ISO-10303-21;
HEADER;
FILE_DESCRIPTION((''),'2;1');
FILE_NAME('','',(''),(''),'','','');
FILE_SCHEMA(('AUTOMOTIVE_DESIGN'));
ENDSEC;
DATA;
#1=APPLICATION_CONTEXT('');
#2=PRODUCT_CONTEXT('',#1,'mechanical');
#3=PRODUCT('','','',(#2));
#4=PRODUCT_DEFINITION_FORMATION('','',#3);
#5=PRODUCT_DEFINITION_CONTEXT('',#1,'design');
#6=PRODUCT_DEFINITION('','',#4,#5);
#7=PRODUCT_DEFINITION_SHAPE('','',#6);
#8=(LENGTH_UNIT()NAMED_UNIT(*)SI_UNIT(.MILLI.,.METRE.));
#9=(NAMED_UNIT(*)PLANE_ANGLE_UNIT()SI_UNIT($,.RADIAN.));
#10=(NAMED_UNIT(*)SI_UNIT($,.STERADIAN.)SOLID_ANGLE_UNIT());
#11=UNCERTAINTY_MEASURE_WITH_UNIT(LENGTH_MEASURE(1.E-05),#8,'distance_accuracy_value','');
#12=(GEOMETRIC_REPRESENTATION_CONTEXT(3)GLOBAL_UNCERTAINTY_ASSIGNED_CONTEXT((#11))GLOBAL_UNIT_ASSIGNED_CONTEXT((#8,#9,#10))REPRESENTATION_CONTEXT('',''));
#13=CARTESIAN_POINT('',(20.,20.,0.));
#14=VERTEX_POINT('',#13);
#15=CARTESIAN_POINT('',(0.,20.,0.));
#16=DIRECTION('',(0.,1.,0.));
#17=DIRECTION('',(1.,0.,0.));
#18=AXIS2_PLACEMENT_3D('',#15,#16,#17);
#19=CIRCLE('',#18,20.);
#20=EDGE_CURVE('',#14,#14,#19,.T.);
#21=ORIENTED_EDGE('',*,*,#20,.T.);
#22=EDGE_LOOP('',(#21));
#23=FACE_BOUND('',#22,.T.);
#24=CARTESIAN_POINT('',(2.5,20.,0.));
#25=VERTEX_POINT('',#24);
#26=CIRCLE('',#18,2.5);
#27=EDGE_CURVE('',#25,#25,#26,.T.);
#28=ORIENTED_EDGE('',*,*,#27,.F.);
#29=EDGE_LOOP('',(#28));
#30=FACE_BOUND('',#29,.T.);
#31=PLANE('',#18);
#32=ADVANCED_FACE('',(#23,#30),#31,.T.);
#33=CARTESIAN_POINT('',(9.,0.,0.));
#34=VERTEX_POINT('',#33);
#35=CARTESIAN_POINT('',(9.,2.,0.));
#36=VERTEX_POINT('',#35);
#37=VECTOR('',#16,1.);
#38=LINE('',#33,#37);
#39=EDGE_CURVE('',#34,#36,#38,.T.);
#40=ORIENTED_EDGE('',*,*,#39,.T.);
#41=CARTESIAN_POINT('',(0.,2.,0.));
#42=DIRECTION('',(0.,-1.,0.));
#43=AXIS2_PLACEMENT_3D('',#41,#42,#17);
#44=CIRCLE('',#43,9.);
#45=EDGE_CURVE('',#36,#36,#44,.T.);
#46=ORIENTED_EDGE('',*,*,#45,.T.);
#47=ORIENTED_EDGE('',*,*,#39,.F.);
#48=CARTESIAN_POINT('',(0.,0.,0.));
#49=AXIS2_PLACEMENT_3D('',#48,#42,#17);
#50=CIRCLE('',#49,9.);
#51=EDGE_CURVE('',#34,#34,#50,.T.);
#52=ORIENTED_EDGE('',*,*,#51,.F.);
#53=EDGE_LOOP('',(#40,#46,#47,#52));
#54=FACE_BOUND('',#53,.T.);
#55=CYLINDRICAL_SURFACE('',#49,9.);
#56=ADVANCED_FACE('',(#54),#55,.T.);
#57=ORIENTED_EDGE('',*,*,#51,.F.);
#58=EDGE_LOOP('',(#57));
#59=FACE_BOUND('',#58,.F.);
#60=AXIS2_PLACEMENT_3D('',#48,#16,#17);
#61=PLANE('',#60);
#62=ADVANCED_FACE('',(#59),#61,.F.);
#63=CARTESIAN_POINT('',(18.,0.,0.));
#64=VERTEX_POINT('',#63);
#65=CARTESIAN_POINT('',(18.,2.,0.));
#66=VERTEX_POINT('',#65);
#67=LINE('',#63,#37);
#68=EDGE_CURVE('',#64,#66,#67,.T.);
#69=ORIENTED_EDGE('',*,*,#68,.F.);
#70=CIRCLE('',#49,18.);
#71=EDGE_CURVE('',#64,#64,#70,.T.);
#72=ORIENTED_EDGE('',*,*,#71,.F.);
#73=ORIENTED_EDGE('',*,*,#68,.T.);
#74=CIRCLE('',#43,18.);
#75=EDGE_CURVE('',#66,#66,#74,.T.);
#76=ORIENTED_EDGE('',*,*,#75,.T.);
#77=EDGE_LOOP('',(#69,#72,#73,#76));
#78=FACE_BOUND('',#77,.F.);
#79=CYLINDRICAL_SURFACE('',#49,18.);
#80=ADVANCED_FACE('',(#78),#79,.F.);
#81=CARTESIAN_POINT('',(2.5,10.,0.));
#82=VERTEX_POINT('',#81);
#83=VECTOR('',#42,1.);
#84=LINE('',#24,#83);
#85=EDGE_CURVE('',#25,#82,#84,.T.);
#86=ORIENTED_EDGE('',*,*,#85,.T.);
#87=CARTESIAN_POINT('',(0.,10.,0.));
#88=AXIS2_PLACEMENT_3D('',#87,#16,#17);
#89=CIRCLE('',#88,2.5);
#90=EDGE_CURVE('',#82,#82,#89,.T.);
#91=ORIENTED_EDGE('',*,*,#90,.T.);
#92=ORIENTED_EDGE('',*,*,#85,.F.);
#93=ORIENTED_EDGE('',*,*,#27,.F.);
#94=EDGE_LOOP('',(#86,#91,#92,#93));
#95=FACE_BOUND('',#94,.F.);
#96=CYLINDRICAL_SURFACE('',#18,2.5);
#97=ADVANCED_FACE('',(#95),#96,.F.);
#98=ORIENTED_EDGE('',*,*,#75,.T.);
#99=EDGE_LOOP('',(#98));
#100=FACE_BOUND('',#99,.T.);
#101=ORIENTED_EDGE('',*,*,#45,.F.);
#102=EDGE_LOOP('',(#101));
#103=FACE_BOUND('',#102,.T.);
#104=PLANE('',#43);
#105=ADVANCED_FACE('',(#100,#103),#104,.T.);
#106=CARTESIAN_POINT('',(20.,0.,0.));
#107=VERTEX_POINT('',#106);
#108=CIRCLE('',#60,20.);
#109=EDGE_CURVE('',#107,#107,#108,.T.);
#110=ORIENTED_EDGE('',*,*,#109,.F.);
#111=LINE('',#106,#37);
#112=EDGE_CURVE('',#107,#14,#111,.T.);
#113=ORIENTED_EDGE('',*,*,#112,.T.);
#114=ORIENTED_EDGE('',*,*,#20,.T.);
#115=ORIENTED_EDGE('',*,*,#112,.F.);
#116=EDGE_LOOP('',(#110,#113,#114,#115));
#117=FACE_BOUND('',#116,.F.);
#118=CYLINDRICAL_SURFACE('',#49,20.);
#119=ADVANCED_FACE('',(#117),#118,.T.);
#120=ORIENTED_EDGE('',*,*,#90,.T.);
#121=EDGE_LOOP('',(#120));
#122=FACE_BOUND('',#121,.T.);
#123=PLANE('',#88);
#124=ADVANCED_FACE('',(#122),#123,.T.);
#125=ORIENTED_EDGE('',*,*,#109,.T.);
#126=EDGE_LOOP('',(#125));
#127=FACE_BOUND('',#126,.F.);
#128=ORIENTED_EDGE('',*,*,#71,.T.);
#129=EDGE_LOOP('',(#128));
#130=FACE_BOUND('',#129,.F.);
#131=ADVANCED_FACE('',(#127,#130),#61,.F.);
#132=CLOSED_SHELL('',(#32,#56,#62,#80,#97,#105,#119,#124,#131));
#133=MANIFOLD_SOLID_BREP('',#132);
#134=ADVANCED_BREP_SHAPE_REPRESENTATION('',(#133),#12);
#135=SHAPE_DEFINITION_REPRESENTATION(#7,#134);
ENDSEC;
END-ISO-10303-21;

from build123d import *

# Parameters (mm, degrees)
SKETCH_1_R          = 20
EXTRUDE_1_DEPTH     = 20
SKETCH_2_R          = 2.5
CUT_EXTRUDE_1_DEPTH = 10
SKETCH_3_R          = 18
SKETCH_3_R_2        = 9
CUT_EXTRUDE_2_DEPTH = 2


with BuildPart() as part:
    # 草图1 → 凸台-拉伸1 (new body)
    with BuildSketch(Plane(origin=(0, 0, 0), x_dir=(1, 0, 0), z_dir=(0, 1, 0))):
        Circle(SKETCH_1_R)
    extrude(amount=EXTRUDE_1_DEPTH)

    # 草图2 → 切除-拉伸1 (cut)
    with BuildSketch(Plane(origin=(0, 20, 0), x_dir=(1, 0, 0), z_dir=(0, 1, 0))):
        Circle(SKETCH_2_R)
    extrude(amount=-CUT_EXTRUDE_1_DEPTH, mode=Mode.SUBTRACT)

    # 草图3 → 切除-拉伸2 (cut)
    with BuildSketch(Plane.XZ):
        Circle(SKETCH_3_R)
        Circle(SKETCH_3_R_2, mode=Mode.SUBTRACT)
    extrude(amount=-CUT_EXTRUDE_2_DEPTH, mode=Mode.SUBTRACT)


solid = part.part
